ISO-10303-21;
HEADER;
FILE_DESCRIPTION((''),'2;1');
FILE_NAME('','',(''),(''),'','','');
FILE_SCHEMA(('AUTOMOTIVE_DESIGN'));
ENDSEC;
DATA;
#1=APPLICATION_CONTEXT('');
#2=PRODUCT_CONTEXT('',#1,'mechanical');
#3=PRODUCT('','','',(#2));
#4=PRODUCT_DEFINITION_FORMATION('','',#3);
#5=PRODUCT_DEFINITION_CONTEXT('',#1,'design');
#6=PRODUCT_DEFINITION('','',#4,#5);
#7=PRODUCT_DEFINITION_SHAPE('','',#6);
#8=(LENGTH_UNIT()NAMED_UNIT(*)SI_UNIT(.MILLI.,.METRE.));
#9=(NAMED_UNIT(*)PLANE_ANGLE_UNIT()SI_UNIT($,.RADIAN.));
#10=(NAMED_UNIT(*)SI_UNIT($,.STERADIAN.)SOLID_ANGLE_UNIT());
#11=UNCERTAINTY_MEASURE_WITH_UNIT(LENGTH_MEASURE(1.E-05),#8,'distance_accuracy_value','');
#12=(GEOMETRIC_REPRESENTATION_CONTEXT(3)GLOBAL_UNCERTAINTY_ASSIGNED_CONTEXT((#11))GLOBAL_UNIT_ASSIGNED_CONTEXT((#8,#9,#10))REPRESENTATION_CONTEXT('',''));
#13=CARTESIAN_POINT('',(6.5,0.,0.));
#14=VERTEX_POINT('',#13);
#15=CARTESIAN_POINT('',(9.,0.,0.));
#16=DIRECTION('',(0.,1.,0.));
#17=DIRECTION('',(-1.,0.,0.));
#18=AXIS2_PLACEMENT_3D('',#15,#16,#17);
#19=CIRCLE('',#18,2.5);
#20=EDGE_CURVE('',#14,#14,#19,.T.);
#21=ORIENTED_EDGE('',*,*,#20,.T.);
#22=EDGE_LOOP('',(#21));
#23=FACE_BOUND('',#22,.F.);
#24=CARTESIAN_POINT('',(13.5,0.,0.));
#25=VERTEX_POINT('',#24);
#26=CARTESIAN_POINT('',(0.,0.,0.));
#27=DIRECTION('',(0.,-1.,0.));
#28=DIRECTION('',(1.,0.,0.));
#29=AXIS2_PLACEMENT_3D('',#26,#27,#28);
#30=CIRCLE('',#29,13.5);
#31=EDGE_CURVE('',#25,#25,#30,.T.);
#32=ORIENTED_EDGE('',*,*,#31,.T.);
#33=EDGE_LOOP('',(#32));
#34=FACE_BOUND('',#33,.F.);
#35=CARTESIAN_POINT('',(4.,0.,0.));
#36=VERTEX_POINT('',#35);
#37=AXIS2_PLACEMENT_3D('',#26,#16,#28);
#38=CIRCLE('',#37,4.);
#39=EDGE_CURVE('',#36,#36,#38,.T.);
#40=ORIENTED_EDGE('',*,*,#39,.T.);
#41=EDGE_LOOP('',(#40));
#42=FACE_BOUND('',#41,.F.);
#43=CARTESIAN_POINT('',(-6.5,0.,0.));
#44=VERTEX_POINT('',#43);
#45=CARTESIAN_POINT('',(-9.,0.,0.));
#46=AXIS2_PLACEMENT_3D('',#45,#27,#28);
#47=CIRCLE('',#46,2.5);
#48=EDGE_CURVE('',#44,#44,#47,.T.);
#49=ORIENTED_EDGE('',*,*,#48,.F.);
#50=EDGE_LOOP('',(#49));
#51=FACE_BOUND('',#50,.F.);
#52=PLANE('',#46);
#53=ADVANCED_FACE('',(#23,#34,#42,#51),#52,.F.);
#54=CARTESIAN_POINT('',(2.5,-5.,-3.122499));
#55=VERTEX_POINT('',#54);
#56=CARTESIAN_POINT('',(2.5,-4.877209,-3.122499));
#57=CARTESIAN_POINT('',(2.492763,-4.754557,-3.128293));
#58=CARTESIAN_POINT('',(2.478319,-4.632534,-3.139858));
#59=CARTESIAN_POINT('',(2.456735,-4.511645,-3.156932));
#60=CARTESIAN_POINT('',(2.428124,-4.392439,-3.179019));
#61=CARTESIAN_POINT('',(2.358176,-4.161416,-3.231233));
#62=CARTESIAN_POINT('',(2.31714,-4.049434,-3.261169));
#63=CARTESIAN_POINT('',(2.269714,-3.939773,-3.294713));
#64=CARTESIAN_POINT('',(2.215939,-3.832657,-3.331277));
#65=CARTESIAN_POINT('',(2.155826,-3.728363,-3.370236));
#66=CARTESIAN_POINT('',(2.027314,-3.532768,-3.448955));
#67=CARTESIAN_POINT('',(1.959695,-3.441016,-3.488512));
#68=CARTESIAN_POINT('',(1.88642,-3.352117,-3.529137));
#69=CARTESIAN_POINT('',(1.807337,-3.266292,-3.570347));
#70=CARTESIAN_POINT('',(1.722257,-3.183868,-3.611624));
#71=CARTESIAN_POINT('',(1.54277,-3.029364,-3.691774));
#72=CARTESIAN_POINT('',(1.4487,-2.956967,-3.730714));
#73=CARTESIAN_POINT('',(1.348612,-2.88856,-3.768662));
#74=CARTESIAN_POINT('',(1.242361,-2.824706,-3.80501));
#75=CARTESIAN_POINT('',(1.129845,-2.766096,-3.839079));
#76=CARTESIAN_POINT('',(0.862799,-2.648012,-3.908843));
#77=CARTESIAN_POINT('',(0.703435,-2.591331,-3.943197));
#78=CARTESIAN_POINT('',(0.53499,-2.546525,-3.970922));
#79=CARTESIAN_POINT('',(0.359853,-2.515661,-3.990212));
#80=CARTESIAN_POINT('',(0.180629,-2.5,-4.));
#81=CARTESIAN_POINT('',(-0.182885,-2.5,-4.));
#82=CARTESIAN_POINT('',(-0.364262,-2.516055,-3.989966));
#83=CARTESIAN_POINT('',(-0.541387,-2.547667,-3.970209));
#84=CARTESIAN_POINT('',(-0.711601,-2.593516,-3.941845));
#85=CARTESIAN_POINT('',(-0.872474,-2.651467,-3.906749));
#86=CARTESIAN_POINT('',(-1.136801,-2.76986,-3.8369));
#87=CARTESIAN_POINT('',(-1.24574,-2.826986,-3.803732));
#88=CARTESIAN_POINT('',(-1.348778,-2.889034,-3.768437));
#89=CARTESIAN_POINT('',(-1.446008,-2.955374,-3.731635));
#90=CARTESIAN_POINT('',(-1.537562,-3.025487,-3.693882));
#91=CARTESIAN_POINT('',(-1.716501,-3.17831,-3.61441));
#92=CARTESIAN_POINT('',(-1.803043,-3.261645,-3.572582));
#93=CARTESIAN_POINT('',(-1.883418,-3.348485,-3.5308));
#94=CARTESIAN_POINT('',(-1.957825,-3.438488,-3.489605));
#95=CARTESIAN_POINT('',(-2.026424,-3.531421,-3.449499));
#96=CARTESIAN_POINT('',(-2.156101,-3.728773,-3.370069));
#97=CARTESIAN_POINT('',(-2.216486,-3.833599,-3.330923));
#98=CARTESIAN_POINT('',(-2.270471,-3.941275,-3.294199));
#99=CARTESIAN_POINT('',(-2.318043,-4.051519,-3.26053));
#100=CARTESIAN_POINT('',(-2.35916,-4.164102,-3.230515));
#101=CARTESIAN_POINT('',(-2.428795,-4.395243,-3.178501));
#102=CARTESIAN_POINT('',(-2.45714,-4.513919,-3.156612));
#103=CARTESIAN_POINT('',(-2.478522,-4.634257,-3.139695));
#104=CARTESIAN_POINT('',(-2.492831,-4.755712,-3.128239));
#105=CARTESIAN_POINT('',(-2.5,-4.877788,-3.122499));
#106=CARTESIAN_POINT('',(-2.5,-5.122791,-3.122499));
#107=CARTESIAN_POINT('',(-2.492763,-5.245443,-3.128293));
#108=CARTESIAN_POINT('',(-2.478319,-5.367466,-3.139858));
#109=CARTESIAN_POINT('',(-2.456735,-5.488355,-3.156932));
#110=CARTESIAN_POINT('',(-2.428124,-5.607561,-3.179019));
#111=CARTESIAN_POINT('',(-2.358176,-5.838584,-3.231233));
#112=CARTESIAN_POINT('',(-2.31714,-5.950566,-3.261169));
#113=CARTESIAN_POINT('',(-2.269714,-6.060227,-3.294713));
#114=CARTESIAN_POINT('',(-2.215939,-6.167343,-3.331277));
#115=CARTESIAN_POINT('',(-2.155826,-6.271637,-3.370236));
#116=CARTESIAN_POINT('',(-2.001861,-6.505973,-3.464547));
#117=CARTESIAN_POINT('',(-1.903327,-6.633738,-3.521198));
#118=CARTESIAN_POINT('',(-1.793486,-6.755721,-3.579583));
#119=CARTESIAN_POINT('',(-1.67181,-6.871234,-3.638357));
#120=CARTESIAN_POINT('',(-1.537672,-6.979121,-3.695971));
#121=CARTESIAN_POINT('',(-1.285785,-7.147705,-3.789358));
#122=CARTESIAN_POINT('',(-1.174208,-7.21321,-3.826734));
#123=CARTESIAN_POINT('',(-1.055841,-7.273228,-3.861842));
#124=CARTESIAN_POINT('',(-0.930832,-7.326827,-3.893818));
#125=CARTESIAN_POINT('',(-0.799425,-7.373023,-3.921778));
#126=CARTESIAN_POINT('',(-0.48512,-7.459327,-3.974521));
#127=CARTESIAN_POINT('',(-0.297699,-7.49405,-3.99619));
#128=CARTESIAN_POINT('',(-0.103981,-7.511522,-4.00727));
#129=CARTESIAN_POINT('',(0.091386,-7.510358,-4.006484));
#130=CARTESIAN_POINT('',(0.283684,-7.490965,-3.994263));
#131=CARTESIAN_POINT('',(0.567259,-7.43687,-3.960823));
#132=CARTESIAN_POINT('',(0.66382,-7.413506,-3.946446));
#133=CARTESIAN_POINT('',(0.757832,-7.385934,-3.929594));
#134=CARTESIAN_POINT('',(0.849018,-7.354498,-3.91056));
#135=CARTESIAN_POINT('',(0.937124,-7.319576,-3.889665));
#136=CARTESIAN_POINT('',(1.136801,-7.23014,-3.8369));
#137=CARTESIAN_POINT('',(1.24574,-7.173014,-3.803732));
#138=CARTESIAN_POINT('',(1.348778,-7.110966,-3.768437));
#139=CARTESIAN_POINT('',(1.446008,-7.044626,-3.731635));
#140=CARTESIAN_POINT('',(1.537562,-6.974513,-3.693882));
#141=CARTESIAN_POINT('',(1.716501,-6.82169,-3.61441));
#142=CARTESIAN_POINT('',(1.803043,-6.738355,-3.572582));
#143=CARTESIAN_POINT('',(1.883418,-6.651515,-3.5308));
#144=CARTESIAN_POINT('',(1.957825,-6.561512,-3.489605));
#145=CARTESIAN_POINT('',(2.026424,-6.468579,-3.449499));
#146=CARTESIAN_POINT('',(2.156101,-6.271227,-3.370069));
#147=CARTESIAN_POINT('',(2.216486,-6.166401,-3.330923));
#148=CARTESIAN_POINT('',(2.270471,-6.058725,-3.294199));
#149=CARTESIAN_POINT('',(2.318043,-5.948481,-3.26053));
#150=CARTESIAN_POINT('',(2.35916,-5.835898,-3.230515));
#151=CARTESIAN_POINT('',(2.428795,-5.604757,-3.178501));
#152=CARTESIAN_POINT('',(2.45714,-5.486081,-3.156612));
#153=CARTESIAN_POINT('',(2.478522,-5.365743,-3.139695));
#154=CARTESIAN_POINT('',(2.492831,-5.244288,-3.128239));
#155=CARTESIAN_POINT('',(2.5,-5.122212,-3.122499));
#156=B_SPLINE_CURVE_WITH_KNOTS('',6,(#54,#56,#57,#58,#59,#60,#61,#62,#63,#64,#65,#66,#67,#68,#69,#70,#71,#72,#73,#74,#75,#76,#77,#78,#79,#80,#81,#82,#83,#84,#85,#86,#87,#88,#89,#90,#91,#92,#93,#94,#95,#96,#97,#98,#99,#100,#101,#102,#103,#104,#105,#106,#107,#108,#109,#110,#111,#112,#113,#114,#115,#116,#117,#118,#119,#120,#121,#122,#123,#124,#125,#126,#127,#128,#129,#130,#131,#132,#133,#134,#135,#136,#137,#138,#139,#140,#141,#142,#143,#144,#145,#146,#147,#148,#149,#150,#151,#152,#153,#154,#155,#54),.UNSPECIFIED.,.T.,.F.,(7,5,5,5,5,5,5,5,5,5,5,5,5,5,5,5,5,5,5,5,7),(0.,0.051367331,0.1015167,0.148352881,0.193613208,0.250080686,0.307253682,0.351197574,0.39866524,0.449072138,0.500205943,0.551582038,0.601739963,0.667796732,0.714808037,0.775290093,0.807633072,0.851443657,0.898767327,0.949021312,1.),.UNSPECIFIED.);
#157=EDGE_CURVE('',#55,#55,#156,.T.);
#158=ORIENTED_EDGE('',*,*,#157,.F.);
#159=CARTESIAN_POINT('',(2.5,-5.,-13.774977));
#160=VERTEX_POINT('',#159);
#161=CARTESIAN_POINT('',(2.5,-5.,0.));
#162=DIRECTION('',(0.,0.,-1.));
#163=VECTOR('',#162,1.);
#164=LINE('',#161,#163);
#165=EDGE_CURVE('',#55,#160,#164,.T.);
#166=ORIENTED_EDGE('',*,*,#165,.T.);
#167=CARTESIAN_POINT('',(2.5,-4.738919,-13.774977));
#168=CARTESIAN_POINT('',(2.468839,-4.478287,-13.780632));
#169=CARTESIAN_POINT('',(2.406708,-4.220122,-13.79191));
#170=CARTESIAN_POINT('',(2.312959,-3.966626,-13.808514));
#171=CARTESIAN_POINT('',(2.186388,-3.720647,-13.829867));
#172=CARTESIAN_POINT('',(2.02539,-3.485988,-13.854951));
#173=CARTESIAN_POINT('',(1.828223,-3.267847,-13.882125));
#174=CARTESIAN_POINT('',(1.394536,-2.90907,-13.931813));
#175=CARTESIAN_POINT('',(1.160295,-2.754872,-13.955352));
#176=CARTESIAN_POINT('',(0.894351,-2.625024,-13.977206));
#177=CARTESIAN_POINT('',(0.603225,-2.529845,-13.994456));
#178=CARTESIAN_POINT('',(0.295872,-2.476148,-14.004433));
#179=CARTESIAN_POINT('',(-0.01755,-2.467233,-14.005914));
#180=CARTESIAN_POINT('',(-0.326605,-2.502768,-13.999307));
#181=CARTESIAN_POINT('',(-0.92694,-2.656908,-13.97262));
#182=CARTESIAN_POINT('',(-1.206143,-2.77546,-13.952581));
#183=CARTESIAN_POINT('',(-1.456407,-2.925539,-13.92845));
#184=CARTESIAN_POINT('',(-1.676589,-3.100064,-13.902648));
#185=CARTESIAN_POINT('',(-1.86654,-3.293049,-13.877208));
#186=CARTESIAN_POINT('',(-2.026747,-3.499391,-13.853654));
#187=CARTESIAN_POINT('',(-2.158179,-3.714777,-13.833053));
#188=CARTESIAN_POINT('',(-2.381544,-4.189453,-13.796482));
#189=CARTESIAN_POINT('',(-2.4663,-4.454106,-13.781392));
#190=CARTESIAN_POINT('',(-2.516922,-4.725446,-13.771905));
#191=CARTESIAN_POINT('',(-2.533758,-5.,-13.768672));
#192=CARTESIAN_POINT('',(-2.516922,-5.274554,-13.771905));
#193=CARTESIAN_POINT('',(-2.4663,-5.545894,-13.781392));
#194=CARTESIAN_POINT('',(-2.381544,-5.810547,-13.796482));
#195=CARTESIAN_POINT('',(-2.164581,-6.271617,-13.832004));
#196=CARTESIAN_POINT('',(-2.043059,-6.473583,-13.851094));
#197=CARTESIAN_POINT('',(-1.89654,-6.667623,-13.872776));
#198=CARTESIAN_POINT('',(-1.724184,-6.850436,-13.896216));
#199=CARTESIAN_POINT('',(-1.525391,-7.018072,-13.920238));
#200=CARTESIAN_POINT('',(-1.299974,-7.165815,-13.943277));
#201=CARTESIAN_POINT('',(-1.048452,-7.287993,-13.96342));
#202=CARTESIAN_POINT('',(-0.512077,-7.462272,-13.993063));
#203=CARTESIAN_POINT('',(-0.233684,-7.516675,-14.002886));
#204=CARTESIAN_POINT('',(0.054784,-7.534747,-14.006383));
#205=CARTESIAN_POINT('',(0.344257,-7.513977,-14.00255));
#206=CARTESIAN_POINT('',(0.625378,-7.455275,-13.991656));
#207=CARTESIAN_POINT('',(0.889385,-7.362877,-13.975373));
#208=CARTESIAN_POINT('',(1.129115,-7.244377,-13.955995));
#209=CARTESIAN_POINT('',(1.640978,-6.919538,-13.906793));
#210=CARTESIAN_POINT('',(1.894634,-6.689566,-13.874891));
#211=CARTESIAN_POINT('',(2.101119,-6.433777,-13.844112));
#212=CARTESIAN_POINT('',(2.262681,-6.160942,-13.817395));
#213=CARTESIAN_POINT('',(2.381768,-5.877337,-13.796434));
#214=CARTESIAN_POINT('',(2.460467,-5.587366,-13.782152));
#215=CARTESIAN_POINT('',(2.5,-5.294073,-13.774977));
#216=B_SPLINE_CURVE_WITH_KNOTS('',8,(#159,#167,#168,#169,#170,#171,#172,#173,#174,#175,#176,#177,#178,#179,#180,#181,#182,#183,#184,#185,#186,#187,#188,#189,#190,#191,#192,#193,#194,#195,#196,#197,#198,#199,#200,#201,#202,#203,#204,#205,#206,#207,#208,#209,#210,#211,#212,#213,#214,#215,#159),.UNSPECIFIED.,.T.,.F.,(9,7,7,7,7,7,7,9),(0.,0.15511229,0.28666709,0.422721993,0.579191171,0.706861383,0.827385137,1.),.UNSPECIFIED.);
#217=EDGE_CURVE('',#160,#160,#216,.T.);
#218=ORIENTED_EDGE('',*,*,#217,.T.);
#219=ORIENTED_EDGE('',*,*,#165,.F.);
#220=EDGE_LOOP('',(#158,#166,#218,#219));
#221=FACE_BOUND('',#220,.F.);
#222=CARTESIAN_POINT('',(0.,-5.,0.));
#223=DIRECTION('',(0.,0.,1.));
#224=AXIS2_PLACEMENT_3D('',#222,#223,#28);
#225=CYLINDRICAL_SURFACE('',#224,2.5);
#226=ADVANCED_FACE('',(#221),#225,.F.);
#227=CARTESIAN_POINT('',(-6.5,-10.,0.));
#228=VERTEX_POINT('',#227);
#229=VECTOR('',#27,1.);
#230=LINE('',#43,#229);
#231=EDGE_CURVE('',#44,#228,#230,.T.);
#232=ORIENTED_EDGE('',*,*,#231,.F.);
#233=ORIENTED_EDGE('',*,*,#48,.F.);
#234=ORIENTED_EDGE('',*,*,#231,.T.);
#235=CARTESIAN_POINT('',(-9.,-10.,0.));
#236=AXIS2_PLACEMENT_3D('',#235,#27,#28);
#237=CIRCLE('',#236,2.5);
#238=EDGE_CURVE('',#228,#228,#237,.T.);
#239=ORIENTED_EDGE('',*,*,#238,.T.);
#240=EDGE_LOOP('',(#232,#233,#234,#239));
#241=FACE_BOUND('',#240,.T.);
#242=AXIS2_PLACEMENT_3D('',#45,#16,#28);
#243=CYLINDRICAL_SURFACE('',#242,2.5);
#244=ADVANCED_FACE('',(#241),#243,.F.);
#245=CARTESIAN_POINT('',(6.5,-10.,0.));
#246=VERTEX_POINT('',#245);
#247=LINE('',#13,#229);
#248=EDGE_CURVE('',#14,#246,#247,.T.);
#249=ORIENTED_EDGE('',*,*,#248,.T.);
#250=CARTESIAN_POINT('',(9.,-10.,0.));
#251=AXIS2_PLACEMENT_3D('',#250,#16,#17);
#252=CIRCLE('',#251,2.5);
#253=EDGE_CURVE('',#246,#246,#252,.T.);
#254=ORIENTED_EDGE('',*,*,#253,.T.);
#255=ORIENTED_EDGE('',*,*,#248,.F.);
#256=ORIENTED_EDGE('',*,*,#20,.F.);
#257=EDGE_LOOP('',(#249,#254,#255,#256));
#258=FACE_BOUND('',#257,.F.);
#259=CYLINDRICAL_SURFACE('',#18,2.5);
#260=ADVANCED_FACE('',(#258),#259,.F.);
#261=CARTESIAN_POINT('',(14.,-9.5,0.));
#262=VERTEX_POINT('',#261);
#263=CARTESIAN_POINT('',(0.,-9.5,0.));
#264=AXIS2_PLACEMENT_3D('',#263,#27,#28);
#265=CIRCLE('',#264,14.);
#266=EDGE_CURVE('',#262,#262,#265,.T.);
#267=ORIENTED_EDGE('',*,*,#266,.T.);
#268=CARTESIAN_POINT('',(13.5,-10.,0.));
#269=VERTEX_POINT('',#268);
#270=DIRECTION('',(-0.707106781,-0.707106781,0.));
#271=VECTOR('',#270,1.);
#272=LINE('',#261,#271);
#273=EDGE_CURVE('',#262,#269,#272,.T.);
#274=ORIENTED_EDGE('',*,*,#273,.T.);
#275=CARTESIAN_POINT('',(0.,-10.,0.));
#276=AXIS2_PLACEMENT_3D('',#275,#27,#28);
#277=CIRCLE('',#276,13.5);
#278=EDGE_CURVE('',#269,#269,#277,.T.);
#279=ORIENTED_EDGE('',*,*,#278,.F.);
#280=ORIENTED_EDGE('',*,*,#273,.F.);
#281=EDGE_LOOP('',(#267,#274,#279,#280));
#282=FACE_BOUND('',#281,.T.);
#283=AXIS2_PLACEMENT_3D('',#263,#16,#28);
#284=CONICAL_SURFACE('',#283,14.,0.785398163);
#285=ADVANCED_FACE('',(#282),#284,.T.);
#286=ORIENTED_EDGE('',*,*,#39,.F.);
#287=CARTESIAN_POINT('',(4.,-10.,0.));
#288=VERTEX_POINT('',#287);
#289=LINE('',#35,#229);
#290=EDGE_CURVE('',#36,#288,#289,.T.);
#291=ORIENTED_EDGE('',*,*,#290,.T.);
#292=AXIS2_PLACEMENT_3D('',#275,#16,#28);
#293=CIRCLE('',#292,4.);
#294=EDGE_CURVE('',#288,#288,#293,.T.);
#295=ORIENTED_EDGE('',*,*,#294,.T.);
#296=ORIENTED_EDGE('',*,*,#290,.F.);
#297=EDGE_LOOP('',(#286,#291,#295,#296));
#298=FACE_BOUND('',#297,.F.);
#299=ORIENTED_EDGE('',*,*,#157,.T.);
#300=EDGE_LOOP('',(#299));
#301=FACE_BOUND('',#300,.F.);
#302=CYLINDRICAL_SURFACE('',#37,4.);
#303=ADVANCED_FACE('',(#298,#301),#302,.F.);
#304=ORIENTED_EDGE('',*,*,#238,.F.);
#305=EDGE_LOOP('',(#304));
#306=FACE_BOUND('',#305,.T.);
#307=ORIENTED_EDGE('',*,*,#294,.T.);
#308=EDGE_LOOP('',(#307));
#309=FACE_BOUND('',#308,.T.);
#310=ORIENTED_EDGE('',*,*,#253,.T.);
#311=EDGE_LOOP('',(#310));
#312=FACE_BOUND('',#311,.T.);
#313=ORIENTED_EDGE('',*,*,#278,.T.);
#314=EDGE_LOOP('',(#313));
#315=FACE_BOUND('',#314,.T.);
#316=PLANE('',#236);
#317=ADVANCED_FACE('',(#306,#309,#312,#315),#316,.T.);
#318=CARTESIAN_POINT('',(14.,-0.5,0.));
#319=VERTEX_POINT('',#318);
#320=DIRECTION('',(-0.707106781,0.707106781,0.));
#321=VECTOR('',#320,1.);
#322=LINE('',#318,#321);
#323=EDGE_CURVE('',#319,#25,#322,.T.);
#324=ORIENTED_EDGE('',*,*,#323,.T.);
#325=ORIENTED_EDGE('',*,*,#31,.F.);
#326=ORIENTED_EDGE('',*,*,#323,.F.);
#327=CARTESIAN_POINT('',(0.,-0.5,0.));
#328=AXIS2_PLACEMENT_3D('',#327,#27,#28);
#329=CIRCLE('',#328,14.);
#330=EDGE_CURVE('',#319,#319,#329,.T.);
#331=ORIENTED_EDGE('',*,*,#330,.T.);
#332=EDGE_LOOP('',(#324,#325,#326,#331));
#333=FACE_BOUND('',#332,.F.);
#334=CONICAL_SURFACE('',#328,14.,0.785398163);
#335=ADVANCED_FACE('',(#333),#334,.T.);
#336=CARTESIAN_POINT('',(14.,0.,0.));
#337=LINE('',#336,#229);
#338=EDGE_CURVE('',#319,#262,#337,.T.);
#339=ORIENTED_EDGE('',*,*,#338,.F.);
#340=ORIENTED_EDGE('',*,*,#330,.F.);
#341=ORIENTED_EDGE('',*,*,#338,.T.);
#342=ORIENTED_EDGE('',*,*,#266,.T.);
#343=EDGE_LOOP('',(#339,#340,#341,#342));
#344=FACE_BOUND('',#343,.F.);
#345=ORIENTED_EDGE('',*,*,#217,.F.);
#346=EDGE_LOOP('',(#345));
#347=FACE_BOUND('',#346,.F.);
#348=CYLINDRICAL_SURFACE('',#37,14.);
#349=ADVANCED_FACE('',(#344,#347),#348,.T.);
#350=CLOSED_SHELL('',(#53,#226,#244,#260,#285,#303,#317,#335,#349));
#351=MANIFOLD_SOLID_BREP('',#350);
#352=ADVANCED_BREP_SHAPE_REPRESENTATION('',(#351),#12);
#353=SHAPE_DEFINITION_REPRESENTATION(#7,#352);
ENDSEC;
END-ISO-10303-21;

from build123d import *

# Parameters (mm, degrees)
F0_R     = 2.5
F0_R_2   = 14
F1_DEPTH = 10
F2_SIZE  = 0.5
F3_R     = 2.5
F4_DEPTH = 25


with BuildPart() as f1:
    # F0 (on Front) → F1 (new body)
    with BuildSketch(Plane.XZ):
        with Locations((-9, 0)):
            Circle(F0_R)
        with BuildLine():
            ThreePointArc((11.5, 0), (9, 2.5), (6.5, 0))
            ThreePointArc((6.5, 0), (9, -2.5), (11.5, 0))
        make_face()
        Circle(F0_R_2)
        with Locations((-9, 0)):
            Circle(F0_R, mode=Mode.SUBTRACT)
        with BuildLine():
            ThreePointArc((-4, 0), (0, 4), (4, 0))
            ThreePointArc((4, 0), (0, -4), (-4, 0))
        make_face(mode=Mode.SUBTRACT)
        with BuildLine():
            ThreePointArc((11.5, 0), (9, -2.5), (6.5, 0))
            ThreePointArc((6.5, 0), (9, 2.5), (11.5, 0))
        make_face(mode=Mode.SUBTRACT)
    extrude(amount=F1_DEPTH)

    # F2
    f2_edges = [f1.edges().sort_by_distance(p)[0] for p in [
        (-14, -10, 0),
        (-14, 0, 0),
    ]]
    chamfer(f2_edges, length=F2_SIZE)

    # F3 (on Top) → F4 (cut)
    with BuildSketch(Plane.XY):
        with Locations((0, -5)):
            Circle(F3_R)
    extrude(amount=-F4_DEPTH, mode=Mode.SUBTRACT)


solid = f1.part
